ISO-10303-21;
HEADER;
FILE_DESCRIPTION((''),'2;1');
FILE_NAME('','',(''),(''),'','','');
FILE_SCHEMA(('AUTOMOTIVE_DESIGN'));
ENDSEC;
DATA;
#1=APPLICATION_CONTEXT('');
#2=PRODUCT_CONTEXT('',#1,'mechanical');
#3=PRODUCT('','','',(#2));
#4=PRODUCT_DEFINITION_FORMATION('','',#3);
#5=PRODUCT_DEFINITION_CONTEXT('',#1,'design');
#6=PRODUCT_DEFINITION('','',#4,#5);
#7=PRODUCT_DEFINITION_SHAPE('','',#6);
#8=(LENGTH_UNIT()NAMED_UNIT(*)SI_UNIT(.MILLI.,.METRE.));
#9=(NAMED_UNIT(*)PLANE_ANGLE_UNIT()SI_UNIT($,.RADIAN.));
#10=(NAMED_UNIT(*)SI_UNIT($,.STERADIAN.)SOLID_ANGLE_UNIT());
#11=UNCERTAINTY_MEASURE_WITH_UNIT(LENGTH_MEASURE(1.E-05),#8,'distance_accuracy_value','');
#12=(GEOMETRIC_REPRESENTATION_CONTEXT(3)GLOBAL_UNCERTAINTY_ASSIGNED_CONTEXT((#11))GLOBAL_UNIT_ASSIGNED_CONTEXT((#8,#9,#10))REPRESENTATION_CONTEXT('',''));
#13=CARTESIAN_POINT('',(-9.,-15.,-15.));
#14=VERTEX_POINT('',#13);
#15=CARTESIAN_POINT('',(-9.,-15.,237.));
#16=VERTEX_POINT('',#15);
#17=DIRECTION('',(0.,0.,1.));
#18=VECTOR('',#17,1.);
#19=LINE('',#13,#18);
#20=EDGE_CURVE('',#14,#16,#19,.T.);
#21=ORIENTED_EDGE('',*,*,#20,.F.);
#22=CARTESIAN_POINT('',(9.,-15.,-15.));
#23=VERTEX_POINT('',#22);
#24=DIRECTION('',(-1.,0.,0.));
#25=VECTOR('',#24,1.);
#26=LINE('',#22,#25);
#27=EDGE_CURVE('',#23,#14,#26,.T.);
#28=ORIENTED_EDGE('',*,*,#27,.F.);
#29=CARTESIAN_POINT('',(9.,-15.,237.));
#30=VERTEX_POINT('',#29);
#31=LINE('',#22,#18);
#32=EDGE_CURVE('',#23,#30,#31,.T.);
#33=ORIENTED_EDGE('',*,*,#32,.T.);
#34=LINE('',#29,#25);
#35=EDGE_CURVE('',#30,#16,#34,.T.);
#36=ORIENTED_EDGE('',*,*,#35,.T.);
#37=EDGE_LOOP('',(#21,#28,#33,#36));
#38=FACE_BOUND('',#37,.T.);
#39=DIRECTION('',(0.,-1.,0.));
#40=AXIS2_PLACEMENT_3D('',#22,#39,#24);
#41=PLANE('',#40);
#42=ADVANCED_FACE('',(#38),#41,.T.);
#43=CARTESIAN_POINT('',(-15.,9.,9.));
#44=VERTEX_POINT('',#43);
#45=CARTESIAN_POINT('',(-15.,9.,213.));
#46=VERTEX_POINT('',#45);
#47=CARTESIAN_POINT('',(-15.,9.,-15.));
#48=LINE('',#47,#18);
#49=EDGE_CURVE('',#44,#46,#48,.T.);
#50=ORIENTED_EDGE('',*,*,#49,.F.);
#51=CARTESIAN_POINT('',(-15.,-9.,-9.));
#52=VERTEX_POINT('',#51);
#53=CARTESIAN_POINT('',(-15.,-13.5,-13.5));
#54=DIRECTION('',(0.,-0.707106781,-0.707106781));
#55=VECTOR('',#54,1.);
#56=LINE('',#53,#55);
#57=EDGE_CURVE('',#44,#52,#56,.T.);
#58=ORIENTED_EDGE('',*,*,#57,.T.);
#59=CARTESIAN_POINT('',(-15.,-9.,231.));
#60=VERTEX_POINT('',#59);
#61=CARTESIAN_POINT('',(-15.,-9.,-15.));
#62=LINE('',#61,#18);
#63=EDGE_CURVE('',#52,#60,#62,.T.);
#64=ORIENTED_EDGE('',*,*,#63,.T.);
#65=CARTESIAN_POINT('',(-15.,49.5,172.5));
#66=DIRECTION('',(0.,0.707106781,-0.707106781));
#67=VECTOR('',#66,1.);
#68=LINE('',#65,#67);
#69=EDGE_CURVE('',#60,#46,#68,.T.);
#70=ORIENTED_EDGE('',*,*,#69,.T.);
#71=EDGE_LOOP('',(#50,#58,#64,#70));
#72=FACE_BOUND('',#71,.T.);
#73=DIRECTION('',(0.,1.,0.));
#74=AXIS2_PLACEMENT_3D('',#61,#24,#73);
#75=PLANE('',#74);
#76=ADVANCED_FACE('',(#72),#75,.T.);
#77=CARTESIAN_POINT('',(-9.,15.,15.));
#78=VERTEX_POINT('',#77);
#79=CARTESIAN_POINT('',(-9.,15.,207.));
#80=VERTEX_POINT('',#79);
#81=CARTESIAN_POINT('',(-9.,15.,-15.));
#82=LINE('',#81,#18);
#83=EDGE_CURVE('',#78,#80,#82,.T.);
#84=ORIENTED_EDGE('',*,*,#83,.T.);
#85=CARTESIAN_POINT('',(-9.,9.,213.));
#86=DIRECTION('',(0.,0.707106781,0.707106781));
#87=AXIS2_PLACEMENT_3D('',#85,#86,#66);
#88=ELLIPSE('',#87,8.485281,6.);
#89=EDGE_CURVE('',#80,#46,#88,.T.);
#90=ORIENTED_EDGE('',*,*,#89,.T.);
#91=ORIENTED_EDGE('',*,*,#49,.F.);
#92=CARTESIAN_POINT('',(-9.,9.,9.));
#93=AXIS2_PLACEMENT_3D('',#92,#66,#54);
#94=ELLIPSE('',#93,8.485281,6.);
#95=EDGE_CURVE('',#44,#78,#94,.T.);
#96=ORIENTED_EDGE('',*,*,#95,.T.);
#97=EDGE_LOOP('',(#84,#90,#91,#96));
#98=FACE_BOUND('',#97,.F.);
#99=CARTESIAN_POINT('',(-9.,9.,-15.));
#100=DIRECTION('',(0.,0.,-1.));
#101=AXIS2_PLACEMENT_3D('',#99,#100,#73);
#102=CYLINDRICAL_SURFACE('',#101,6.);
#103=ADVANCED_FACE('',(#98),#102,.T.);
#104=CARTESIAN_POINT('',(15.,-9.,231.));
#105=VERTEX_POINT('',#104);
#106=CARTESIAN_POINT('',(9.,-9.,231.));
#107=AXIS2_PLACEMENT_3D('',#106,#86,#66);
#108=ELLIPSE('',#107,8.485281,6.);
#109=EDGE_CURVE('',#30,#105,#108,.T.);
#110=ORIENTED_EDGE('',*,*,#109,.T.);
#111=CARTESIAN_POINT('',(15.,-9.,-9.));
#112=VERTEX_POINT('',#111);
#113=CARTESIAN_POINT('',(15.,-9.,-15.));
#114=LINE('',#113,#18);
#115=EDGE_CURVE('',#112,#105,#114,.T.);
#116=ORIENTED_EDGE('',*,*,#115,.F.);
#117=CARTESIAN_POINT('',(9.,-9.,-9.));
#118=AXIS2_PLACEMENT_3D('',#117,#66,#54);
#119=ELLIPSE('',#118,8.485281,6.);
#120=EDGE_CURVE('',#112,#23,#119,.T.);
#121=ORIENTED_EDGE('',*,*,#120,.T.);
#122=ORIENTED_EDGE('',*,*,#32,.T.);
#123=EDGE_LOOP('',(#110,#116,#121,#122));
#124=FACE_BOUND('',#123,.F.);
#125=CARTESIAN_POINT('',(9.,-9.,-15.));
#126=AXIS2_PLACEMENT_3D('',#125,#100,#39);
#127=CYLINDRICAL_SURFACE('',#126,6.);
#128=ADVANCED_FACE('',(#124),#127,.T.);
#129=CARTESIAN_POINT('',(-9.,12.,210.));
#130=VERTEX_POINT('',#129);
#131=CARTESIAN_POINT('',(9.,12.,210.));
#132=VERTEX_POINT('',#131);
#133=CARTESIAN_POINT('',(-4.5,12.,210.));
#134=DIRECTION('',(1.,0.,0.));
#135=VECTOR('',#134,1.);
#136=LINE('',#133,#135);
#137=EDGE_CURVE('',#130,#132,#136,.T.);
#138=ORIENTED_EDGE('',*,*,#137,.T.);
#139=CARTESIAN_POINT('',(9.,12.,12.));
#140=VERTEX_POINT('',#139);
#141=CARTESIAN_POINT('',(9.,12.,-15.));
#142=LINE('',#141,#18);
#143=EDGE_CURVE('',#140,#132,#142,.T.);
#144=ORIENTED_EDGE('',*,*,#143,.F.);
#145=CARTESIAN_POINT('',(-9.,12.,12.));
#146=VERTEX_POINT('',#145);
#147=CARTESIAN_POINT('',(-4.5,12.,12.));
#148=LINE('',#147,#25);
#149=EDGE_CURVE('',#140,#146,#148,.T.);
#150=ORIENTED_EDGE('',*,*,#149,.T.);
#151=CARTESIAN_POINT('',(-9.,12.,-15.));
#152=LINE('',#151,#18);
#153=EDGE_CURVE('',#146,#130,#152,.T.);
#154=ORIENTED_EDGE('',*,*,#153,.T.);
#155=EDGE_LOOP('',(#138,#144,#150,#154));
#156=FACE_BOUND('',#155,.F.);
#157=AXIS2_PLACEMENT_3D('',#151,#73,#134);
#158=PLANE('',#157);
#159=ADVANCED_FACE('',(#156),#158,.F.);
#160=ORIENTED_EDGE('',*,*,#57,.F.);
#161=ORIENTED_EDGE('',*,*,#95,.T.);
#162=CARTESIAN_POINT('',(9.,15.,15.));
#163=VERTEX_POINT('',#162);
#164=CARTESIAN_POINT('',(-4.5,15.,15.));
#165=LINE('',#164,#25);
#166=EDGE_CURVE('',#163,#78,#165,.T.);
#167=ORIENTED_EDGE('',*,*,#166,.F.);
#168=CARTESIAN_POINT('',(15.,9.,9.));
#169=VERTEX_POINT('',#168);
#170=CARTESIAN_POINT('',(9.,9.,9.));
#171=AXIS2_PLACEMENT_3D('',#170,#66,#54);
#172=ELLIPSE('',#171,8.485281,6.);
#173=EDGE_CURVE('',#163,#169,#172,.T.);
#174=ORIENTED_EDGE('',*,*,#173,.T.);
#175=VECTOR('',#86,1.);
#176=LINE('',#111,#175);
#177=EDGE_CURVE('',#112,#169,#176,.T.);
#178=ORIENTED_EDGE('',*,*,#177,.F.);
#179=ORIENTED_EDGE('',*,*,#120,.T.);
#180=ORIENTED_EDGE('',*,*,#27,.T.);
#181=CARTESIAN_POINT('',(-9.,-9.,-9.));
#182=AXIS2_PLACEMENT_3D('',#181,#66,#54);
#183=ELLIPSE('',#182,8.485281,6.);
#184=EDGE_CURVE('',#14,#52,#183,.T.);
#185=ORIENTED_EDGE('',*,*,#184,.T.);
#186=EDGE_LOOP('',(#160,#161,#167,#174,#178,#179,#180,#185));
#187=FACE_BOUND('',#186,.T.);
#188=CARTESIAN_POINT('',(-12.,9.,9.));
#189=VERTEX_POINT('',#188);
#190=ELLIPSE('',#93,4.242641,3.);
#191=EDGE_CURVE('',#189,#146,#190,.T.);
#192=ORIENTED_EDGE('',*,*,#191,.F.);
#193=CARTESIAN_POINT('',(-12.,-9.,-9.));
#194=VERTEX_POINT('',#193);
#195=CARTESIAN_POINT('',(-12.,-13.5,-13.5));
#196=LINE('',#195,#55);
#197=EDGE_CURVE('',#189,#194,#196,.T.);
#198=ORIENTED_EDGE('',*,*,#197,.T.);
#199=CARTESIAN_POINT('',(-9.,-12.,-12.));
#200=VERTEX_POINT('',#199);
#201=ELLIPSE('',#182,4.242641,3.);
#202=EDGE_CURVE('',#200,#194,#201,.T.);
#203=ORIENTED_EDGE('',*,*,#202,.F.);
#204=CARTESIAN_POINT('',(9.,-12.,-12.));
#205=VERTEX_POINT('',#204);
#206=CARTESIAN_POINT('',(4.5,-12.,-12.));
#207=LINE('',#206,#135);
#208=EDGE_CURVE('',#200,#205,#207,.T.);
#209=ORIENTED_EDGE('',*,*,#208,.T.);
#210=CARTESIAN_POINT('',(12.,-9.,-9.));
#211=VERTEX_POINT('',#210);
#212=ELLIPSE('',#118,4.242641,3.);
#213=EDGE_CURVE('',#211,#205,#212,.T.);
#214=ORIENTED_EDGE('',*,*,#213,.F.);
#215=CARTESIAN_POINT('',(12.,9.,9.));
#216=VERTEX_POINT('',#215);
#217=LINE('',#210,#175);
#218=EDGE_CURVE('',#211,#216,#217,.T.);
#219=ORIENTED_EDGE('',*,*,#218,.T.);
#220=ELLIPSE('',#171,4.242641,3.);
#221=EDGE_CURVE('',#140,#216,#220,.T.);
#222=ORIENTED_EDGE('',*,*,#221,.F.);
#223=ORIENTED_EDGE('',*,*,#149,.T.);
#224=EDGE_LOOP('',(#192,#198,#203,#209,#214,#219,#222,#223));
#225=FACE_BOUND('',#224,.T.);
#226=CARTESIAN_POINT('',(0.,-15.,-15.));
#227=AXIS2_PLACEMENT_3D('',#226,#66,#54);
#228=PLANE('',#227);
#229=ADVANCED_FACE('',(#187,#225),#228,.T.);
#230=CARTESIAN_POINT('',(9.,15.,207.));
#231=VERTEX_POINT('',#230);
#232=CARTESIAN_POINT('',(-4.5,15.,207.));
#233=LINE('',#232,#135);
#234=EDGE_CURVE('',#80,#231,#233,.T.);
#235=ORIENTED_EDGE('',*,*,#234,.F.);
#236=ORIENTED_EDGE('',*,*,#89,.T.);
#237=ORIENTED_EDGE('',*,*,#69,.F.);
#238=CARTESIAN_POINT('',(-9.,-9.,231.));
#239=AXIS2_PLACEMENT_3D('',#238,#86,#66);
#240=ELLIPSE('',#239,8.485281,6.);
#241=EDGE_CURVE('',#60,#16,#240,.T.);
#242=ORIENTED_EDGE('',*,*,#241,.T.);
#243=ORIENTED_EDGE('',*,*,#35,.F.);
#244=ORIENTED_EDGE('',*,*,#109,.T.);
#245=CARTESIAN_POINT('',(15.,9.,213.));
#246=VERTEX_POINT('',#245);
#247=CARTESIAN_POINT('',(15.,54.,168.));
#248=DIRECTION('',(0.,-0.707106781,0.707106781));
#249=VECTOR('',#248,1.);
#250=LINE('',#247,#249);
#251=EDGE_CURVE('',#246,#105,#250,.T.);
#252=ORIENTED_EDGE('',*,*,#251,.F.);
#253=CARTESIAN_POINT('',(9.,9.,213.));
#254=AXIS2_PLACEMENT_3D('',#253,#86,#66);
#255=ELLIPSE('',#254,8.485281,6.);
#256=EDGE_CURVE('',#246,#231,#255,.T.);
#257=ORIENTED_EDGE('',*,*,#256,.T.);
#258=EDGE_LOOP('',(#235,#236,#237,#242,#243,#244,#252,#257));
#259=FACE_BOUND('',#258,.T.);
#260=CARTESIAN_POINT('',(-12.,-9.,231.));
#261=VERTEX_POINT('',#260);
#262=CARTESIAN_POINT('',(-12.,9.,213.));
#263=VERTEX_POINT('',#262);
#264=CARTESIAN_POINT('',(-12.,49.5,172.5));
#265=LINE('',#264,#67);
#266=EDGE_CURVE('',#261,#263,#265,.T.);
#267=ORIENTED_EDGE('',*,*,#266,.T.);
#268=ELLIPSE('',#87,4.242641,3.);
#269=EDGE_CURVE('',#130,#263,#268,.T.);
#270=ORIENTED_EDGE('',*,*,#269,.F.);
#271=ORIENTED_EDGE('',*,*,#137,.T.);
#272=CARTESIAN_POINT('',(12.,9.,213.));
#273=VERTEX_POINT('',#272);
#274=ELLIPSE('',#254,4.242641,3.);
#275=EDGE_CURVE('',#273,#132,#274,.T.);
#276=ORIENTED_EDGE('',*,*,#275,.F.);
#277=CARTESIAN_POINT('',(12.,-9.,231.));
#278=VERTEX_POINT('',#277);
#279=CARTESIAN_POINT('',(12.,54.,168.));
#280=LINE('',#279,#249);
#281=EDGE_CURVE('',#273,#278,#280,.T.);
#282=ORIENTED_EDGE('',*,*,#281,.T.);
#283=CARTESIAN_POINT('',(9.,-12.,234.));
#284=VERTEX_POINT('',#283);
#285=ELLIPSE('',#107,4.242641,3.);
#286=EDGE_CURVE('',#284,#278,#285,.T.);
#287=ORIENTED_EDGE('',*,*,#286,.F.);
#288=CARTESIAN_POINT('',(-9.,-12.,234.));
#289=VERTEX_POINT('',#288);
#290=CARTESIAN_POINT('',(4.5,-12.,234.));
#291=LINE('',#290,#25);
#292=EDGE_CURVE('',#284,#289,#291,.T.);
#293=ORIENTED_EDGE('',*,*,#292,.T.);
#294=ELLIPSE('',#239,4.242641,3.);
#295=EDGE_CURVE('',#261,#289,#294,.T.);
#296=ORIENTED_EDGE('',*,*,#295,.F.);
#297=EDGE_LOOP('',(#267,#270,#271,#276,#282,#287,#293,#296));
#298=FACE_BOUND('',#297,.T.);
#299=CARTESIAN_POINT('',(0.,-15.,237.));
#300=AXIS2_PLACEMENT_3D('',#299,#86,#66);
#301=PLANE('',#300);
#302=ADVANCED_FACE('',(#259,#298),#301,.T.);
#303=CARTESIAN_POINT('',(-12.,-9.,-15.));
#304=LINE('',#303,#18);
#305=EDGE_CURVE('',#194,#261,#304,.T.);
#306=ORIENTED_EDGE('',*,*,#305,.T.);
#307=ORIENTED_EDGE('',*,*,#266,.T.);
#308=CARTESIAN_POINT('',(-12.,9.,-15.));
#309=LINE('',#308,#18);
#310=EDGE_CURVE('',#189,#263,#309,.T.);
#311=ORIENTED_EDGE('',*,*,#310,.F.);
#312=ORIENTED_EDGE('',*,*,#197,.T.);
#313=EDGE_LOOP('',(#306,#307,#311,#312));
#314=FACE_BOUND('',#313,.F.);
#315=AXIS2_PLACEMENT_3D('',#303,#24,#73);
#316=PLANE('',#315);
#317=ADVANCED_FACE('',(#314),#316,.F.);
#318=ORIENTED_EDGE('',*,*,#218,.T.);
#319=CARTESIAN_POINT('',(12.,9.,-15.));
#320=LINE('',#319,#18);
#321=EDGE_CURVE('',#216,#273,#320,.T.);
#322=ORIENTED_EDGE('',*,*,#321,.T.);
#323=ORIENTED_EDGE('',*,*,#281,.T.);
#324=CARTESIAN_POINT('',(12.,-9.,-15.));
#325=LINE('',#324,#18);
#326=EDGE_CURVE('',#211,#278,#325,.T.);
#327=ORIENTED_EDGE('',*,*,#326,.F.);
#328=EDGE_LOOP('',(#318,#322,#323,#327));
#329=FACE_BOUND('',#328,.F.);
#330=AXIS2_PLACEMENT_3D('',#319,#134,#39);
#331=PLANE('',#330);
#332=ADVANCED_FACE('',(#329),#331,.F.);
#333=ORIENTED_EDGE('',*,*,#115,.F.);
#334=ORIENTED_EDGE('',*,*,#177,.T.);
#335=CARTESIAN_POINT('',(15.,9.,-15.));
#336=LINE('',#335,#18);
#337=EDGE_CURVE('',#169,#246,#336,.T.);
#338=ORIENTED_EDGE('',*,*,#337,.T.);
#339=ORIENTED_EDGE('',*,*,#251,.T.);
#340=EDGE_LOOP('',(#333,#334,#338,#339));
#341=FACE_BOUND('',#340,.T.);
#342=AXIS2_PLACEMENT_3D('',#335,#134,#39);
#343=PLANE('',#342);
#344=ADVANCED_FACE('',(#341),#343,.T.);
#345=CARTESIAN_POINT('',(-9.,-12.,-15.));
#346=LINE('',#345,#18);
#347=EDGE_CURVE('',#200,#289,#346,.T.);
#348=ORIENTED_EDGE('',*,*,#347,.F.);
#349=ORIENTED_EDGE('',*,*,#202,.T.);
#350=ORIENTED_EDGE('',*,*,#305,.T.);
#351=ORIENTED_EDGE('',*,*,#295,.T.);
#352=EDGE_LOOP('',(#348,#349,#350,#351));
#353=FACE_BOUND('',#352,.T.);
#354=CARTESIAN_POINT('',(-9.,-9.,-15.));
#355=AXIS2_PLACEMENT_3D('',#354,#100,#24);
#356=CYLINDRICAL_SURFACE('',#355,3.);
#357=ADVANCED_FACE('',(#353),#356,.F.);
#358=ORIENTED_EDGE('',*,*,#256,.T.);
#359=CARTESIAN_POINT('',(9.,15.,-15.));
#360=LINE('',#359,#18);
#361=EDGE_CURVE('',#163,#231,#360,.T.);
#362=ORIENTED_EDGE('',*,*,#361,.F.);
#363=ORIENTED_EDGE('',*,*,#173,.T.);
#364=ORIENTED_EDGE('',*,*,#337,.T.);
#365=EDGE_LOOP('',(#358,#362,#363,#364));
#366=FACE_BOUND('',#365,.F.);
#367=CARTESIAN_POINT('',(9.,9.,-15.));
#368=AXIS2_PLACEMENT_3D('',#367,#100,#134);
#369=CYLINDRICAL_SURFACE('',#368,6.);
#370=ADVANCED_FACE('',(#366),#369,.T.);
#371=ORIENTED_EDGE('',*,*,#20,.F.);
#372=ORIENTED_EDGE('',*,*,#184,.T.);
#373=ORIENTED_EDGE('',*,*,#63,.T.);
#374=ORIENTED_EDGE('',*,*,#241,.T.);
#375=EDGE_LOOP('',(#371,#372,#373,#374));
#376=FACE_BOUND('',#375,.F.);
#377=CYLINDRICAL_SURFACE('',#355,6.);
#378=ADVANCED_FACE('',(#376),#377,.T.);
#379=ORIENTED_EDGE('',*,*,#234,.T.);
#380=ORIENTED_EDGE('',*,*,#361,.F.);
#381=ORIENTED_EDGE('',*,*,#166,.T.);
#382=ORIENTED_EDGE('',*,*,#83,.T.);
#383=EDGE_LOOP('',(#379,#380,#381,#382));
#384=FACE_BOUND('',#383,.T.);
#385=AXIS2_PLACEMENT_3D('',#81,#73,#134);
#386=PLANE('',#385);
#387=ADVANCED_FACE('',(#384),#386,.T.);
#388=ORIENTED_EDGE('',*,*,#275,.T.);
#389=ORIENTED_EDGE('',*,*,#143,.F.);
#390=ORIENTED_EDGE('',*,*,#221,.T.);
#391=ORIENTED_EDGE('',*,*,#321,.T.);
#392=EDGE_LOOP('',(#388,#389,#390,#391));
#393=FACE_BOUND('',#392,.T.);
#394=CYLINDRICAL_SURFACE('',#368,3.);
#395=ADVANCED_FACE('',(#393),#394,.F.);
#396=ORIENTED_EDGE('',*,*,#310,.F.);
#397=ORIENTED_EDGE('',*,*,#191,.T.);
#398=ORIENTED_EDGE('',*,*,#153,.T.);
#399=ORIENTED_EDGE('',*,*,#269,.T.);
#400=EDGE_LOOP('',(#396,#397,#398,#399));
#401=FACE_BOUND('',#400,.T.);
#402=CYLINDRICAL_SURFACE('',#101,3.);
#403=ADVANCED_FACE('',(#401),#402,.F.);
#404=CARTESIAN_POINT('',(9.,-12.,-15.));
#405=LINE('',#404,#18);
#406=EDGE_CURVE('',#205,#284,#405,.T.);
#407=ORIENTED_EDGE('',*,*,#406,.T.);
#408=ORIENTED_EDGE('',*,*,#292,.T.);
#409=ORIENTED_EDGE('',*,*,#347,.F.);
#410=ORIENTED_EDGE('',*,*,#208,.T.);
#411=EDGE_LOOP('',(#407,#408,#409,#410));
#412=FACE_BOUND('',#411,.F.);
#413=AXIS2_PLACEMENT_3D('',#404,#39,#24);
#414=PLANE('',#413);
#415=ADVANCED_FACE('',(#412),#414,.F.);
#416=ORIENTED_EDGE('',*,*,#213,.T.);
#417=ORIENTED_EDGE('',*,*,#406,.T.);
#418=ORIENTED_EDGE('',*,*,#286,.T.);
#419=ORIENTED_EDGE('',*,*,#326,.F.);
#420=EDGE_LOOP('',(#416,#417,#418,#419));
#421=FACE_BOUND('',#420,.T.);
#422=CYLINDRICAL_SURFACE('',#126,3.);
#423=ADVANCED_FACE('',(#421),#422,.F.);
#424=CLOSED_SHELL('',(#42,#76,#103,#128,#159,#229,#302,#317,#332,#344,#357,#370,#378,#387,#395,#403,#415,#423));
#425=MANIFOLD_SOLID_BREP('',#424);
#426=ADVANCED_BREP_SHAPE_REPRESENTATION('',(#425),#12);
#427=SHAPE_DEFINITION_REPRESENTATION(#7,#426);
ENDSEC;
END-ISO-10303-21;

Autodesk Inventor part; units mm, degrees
ref_plane "Start Plane" through (0, 0, -15) normal (0, 0, 1) x (1, 0, 0)
ref_plane "End Plane" through (0, 0, 237) normal (0, 0, 1) x (1, 0, 0)
sketch "Sketch" plane through (0, 0, 0) normal (0, 0, 1) x (1, 0, 0)
  line L0 (-15, -9) -> (-15, 9)
  line L1 (-9, 15) -> (9, 15)
  line L2 (15, 9) -> (15, -9)
  line L3 (9, -15) -> (-9, -15)
  arc A0 (-15, -9) -> (-9, -15) centre (-9, -9) ccw
  arc A1 (-9, 15) -> (-15, 9) centre (-9, 9) ccw
  arc A2 (15, 9) -> (9, 15) centre (9, 9) ccw
  arc A3 (9, -15) -> (15, -9) centre (9, -9) ccw
  arc A4 (-9, 12) -> (-12, 9) centre (-9, 9) ccw
  line L4 (-9, 12) -> (9, 12)
  arc A5 (12, 9) -> (9, 12) centre (9, 9) ccw
  line L5 (12, 9) -> (12, -9)
  arc A6 (9, -12) -> (12, -9) centre (9, -9) ccw
  line L6 (9, -12) -> (-9, -12)
  arc A7 (-12, -9) -> (-9, -12) centre (-9, -9) ccw
  line L7 (-12, -9) -> (-12, 9)
  line L8 (0, 22.7397) -> (0, -22.7397) construction
  line L9 (-22.7397, 0) -> (22.7397, 0) construction
  dimension "d7" = 6
  dimension "d10" = 30
  dimension "d11" = 30
  dimension "d12" = 3
  dimension "d15" = 15
  dimension "d16" = 15
extrude "Body" add sketch "Sketch" along normal up to surface (252 mm away) from surface at -15
sketch "Sketch3" plane through (0, 0, 0) normal (0, 0, 1) x (1, 0, 0)
  line L0 (0, 0) -> (10, 0)
ref_plane "Work Plane3" through (0, 0, 0) normal (0, -1, 0) x (1, 0, 0)
ref_plane "Work Plane4" through (0, -15, -15) normal (0, 0.7071, -0.7071) x (1, 0, 0)
split "Split1" plane through (0, -15, -15) removes the side toward (0, 0.7071, -0.7071)
ref_plane "Work Plane5" through (0, -15, 237) normal (0, 0.7071, 0.7071) x (1, 0, 0)
split "Split2" plane through (0, -15, 237) removes the side toward (0, 0.7071, 0.7071)
sketch "Sketch4" plane through (0, 0, 0) normal (0, -1, 0) x (1, 0, 0)
  line L0 (-2, -15) -> (12, -15) projected
  line L1 (-2, 237) -> (12, 237) projected
  dimension "d18" = 252
equation "\"d7\" = G_IR"
equation "\"d10\" = G_H"
equation "\"d11\" = G_W"
equation "\"d12\" = G_T"
equation "\"d15\" = 0.5 * d10"
equation "\"d16\" = 0.5 * d11"
equation "\"d3\" = G_L"
equation "\"G_W\" = 30"
equation "\"G_H\" = 30"
equation "\"G_T\" = 3"
equation "\"G_IR\" = 6"
equation "\"G_L\" = d18"
equation "\"G_OFFSET_START\" = 15"
equation "\"G_OFFSET_END\" = 15"
equation "\"d13\" = -G_OFFSET_START"
equation "\"d14\" = G_OFFSET_END + B_L"
equation "\"B_L\" = 222"
properties part number "DIN EN 10219-2 - 30 x 30 x 3  - 252" material "Steel, Mild"
